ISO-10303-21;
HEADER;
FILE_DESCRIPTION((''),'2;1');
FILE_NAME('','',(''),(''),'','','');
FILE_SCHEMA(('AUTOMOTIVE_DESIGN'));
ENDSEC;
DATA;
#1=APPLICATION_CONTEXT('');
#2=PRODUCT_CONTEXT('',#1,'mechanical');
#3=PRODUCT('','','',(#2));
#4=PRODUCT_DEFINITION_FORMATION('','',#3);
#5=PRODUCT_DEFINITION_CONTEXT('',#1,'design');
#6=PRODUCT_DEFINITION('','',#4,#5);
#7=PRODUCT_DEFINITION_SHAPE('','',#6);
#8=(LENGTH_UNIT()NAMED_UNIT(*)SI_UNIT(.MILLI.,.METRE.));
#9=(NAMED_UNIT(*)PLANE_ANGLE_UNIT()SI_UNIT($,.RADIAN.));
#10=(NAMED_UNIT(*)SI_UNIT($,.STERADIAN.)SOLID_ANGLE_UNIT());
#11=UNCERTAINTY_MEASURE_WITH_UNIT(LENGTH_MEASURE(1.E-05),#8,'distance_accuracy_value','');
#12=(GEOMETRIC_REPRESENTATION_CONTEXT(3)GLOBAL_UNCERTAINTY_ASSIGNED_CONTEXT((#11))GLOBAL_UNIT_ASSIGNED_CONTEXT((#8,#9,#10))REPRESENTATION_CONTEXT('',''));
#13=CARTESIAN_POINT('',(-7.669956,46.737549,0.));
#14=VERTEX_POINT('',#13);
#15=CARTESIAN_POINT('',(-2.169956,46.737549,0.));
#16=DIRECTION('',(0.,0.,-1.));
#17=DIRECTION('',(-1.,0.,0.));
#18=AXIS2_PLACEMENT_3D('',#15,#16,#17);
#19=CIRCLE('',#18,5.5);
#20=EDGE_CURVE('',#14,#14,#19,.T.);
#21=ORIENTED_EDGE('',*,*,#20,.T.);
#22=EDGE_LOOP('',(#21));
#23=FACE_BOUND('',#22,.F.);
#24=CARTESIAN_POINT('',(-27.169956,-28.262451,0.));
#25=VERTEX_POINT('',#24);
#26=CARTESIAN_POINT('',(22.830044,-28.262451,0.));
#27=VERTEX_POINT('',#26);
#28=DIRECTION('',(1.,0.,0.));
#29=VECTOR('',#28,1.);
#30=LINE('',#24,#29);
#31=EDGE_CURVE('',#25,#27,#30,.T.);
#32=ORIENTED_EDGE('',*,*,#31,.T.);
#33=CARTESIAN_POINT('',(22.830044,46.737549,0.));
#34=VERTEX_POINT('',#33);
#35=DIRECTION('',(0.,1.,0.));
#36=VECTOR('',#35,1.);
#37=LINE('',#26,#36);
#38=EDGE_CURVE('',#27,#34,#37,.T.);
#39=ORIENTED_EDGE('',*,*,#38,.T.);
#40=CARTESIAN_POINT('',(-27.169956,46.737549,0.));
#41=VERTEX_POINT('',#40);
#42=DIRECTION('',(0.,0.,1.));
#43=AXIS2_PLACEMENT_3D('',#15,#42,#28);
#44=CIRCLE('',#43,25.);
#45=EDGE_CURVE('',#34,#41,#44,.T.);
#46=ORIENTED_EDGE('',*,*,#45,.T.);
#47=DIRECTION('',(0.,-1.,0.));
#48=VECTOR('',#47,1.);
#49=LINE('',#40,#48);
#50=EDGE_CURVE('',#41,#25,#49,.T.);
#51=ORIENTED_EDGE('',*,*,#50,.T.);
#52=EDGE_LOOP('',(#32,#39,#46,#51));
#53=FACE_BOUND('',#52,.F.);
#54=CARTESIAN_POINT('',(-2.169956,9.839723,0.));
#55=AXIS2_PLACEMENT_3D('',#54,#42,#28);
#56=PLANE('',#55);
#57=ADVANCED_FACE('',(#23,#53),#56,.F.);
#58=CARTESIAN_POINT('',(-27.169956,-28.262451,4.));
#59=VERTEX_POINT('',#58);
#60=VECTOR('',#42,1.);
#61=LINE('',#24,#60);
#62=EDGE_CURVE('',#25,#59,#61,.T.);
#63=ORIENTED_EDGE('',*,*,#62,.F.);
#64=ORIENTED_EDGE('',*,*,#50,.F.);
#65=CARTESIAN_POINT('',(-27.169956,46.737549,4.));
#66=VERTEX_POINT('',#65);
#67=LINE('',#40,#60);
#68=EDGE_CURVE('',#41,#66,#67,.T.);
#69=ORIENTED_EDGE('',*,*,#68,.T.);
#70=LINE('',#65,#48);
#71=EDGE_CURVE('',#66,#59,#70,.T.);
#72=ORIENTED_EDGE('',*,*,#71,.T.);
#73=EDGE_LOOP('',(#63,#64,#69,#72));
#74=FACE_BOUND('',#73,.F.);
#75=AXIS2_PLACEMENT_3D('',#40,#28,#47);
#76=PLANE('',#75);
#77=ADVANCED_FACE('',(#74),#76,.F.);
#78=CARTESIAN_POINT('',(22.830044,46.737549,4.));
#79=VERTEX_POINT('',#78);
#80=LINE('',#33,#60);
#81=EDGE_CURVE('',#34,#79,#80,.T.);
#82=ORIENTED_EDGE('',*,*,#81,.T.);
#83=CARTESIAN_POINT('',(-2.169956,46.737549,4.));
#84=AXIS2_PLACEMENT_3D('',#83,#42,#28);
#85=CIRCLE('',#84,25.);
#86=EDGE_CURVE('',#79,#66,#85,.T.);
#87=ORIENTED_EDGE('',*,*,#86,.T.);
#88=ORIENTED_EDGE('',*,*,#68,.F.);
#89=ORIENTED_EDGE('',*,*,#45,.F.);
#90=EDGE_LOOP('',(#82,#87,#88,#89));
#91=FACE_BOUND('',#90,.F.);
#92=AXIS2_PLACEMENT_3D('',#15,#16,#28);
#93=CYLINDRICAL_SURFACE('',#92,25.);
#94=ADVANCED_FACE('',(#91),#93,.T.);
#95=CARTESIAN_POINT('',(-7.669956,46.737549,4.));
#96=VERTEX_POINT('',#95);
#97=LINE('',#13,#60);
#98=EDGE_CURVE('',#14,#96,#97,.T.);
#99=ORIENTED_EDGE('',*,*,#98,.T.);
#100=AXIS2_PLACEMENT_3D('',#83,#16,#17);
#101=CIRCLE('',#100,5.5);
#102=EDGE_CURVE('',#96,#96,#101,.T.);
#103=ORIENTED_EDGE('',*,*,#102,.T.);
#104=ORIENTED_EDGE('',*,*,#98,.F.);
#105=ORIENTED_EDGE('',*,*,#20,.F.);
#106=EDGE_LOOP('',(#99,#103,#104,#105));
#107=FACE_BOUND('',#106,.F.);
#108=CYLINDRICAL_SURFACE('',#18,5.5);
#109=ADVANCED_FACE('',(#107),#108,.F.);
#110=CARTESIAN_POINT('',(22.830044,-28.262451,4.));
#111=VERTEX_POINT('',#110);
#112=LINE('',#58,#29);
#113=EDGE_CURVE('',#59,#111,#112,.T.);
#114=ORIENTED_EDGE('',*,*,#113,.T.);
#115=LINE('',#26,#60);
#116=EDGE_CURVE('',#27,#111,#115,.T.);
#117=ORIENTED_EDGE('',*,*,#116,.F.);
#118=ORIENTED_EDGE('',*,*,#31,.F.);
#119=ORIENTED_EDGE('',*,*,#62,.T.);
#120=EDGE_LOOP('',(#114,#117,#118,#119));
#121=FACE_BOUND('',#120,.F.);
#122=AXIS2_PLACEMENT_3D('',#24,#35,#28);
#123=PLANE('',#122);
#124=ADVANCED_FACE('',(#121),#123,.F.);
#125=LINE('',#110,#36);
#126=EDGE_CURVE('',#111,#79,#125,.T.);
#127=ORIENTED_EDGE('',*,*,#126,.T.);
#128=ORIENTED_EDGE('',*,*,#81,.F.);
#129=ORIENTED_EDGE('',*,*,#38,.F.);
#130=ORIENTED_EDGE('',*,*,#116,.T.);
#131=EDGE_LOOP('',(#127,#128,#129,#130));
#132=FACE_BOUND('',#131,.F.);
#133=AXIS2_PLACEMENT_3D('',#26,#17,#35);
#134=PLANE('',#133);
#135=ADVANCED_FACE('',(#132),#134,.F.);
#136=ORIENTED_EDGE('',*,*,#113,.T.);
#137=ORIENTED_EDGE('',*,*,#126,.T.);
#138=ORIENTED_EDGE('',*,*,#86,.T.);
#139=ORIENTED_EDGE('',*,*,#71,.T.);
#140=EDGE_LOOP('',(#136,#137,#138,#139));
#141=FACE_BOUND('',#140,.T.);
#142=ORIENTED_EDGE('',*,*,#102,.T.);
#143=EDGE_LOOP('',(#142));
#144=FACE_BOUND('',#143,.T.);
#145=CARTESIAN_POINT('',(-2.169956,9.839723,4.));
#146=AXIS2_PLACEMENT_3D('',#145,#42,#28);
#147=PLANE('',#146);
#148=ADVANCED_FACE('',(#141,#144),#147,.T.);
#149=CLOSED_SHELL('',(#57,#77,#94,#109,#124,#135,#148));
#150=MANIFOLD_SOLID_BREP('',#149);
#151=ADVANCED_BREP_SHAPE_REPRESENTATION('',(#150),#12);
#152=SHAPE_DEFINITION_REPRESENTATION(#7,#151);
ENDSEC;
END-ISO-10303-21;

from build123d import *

# Parameters (mm, degrees)
F1_DEPTH = 4


with BuildPart() as f1:
    # F0 (on Top) → F1 (new body)
    with BuildSketch(Plane.XY):
        with BuildLine():
            Line((22.830044, -28.262451), (22.830044, 46.737549))
            Line((22.830044, 46.737549), (3.330044, 46.737549))
            ThreePointArc((3.330044, 46.737549), (-2.169956, 41.237549), (-7.669956, 46.737549))
            Line((-7.669956, 46.737549), (-27.169956, 46.737549))
            Line((-27.169956, 46.737549), (-27.169956, -28.262451))
            Line((-27.169956, -28.262451), (22.830044, -28.262451))
        make_face()
        with BuildLine():
            Line((3.330044, 46.737549), (22.830044, 46.737549))
            ThreePointArc((22.830044, 46.737549), (-2.169956, 71.737549), (-27.169956, 46.737549))
            Line((-27.169956, 46.737549), (-7.669956, 46.737549))
            ThreePointArc((-7.669956, 46.737549), (-2.169956, 52.237549), (3.330044, 46.737549))
        make_face()
    extrude(amount=F1_DEPTH)


solid = f1.part
